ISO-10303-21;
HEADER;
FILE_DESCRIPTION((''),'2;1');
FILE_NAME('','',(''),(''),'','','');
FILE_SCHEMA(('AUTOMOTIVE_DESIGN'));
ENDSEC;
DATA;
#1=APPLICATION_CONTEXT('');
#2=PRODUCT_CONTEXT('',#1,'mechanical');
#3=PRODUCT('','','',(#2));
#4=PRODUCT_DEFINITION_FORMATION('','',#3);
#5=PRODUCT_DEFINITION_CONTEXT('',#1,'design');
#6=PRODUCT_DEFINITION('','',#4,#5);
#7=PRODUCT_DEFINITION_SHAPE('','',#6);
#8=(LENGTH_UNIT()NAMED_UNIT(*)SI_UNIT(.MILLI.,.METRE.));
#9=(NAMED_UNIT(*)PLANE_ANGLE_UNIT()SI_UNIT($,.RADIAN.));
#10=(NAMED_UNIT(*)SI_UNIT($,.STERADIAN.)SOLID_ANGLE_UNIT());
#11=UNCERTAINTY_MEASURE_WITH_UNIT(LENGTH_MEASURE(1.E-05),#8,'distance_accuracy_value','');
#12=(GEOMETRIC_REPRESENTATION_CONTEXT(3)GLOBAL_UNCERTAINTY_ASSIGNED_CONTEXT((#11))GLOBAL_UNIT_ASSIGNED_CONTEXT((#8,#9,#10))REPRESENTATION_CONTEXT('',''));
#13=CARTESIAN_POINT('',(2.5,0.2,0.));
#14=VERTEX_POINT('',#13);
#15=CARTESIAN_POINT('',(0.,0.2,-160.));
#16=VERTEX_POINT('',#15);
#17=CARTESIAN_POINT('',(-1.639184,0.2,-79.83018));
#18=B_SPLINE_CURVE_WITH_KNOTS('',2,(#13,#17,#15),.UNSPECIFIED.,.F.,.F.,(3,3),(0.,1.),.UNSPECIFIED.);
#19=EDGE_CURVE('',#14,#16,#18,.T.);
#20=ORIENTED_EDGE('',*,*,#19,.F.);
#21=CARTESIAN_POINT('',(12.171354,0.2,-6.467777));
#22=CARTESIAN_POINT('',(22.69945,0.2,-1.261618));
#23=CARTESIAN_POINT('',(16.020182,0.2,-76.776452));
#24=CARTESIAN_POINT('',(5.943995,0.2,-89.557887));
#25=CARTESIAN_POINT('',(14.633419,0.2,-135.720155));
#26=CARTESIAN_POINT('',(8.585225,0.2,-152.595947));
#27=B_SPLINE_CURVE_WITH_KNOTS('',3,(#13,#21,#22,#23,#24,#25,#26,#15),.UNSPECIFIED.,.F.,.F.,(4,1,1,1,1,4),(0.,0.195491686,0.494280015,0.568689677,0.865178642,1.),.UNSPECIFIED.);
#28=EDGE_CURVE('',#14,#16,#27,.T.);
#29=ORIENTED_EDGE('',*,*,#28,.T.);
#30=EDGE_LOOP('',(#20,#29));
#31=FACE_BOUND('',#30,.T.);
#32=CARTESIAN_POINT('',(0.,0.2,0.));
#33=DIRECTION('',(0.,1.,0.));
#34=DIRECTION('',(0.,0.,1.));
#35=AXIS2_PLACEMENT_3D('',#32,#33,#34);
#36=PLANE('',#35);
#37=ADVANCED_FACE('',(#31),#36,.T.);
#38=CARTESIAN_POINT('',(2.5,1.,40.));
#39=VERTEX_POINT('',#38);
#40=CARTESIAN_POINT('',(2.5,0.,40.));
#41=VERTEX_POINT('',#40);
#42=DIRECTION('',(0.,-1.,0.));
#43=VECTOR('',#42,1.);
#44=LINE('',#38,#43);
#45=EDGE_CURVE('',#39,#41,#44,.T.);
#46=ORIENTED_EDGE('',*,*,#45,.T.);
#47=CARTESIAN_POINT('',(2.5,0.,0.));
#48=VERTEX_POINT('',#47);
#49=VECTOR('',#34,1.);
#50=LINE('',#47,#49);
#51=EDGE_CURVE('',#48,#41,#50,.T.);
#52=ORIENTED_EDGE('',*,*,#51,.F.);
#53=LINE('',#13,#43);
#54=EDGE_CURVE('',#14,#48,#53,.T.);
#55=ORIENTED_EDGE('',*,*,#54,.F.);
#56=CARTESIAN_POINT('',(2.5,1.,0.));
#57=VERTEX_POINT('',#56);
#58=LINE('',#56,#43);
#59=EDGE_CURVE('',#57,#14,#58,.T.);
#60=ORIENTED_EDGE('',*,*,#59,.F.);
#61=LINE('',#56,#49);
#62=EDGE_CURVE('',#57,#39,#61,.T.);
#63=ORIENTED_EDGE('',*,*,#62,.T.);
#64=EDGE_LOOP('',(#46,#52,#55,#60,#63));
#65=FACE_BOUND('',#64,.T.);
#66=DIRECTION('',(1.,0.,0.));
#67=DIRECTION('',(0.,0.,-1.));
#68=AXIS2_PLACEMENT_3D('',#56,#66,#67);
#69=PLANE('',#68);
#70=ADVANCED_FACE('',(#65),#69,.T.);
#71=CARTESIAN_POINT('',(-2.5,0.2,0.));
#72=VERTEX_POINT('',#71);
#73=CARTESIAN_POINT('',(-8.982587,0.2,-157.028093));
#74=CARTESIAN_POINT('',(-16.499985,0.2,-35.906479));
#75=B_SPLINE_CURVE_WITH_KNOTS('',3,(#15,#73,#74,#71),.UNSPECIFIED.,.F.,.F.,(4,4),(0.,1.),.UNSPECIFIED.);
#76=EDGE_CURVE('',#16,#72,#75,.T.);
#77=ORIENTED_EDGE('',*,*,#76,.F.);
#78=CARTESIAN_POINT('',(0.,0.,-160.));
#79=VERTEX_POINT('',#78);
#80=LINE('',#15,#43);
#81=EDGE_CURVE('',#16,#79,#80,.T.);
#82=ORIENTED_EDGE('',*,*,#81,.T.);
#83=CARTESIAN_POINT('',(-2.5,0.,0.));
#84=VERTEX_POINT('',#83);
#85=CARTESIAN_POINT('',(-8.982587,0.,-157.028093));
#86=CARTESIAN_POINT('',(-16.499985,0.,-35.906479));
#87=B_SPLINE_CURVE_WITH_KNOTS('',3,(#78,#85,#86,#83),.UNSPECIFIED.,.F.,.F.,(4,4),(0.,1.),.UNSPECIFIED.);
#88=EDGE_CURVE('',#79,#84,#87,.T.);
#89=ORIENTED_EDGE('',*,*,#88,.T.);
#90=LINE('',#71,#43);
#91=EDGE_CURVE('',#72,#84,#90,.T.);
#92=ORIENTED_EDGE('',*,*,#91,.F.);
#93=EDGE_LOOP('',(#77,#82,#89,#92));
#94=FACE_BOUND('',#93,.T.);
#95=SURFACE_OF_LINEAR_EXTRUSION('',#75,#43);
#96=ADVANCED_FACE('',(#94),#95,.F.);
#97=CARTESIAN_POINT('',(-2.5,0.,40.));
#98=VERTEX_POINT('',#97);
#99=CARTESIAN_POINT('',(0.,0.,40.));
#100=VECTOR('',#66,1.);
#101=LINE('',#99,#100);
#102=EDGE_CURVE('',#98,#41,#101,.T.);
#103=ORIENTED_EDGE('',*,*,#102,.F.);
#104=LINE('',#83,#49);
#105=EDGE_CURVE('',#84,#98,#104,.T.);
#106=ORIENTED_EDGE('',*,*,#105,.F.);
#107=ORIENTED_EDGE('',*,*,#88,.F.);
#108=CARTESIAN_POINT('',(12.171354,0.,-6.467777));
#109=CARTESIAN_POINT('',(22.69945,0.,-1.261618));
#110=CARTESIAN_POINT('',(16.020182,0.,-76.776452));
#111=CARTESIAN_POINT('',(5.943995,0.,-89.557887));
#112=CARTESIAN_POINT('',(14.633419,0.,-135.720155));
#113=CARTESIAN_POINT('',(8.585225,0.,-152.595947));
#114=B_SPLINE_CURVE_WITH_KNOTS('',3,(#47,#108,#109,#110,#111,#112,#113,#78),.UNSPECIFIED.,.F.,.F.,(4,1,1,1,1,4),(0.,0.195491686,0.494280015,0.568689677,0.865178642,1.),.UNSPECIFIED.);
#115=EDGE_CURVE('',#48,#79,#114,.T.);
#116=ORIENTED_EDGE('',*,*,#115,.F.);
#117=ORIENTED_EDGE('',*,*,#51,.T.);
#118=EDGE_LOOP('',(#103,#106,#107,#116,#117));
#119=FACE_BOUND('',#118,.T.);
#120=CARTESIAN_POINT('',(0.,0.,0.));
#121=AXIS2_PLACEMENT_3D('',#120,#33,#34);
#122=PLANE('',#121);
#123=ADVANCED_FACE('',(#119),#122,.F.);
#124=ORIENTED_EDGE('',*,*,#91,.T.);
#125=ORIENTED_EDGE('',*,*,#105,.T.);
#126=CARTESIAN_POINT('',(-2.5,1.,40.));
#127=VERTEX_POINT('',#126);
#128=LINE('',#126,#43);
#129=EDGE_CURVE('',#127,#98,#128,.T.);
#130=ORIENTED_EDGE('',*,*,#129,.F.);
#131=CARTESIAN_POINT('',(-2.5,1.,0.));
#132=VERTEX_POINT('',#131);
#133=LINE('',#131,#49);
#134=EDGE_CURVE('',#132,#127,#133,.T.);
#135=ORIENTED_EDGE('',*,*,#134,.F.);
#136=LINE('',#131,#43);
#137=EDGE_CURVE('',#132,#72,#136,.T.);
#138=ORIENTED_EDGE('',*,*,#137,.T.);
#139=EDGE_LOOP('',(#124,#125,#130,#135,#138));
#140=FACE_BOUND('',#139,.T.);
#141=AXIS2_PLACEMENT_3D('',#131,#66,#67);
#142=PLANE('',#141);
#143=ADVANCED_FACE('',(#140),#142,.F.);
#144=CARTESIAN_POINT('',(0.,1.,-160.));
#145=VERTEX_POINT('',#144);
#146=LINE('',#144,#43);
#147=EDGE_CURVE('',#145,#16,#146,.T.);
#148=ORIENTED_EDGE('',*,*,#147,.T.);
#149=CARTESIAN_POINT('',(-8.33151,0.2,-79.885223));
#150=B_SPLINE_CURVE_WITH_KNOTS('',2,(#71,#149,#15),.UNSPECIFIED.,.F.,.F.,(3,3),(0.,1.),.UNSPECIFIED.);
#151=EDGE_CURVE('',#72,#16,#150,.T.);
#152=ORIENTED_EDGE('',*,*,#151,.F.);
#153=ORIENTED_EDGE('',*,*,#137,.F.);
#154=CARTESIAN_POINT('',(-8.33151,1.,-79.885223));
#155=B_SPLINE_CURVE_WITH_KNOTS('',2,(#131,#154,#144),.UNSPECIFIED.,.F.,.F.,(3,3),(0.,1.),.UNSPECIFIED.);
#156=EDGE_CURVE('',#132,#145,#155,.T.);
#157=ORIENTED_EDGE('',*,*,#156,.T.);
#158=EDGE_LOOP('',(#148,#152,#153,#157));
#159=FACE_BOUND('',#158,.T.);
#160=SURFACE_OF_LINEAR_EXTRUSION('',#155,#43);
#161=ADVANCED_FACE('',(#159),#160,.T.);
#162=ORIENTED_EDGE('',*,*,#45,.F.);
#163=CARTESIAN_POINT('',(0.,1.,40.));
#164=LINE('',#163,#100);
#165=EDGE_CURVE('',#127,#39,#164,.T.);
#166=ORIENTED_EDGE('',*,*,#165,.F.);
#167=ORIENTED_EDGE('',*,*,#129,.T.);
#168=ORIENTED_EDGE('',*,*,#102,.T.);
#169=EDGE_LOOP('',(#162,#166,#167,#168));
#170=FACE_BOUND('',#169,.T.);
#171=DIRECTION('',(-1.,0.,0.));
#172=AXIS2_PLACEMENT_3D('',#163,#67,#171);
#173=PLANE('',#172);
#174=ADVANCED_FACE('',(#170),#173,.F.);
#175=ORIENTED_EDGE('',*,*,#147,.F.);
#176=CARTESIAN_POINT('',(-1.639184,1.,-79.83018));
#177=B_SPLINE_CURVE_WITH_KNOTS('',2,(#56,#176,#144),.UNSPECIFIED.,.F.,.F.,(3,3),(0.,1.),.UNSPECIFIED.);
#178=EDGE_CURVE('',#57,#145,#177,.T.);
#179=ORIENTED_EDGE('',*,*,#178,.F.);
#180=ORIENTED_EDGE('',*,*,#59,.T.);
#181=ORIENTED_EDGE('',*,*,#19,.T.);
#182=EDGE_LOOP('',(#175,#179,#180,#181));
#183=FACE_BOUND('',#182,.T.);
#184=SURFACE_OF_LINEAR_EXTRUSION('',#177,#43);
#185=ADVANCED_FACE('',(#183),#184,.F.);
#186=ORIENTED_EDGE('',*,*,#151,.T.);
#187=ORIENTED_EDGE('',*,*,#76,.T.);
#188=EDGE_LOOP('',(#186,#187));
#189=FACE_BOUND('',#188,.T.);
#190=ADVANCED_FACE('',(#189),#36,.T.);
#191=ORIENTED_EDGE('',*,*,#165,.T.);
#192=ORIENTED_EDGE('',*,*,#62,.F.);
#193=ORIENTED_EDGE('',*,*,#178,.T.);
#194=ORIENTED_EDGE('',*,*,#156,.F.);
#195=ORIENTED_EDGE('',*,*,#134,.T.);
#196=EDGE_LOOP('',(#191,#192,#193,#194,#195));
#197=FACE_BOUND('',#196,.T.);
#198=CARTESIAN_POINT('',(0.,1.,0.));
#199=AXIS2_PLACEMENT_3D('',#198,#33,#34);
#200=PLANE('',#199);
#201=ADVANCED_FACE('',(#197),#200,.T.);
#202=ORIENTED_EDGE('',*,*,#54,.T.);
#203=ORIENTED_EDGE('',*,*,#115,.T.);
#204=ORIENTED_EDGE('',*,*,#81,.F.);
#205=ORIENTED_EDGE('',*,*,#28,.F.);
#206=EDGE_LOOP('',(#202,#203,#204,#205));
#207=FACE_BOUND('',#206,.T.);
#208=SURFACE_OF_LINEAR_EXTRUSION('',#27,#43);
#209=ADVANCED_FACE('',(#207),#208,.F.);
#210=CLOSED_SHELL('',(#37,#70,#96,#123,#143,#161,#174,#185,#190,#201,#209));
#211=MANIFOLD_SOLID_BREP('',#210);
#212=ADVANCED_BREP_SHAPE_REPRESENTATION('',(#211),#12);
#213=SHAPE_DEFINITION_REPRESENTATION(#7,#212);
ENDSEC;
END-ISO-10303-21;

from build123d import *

# Parameters (mm, degrees)
BOSS_EXTRUDE1_DEPTH = 1
BOSS_EXTRUDE2_DEPTH = 0.2


with BuildPart() as part:
    # Sketch2 → Boss-Extrude1 (new body)
    with BuildSketch(Plane(origin=(0, 0, 0), x_dir=(1, 0, 0), z_dir=(0, 1, 0))):
        with BuildLine():
            add(Edge.make_bspline(
                [(-2.5, 0), (-8.331510312, 79.88522278), (0, 160)],
                knots=[0, 0, 0, 1, 1, 1], degree=2))
            Line((-2.5, 0), (-2.5, -40))
            Line((-2.5, -40), (2.5, -40))
            Line((2.5, -40), (2.5, 0))
            add(Edge.make_bspline(
                [(2.5, 0), (-1.639184348, 79.830180153), (0, 160)],
                knots=[0, 0, 0, 1, 1, 1], degree=2))
        make_face()
    extrude(amount=BOSS_EXTRUDE1_DEPTH)

    # Sketch2<4> → Boss-Extrude2 (add)
    with BuildSketch(Plane(origin=(0, 0, 0), x_dir=(1, 0, 0), z_dir=(0, 1, 0))):
        with BuildLine():
            add(Edge.make_bspline(
                [(0, 160), (-8.98258689, 157.028093124), (-16.499984948, 35.906479253), (-2.5, 0)],
                knots=[0, 0, 0, 0, 1, 1, 1, 1], degree=3))
            add(Edge.make_bspline(
                [(-2.5, 0), (-8.331510312, 79.88522278), (0, 160)],
                knots=[0, 0, 0, 1, 1, 1], degree=2))
        make_face()
        with BuildLine():
            add(Edge.make_bspline(
                [(2.5, 0), (12.171354382, 6.467777283), (22.699450058, 1.261618492), (16.020181883, 76.776452349), (5.943994757, 89.557886893), (14.633418631, 135.720154628), (8.585224938, 152.595946761), (0, 160)],
                knots=[0, 0, 0, 0, 0.195491686, 0.494280015, 0.568689677, 0.865178642, 1, 1, 1, 1], degree=3))
            add(Edge.make_bspline(
                [(2.5, 0), (-1.639184348, 79.830180153), (0, 160)],
                knots=[0, 0, 0, 1, 1, 1], degree=2))
        make_face()
    extrude(amount=BOSS_EXTRUDE2_DEPTH)


solid = part.part
